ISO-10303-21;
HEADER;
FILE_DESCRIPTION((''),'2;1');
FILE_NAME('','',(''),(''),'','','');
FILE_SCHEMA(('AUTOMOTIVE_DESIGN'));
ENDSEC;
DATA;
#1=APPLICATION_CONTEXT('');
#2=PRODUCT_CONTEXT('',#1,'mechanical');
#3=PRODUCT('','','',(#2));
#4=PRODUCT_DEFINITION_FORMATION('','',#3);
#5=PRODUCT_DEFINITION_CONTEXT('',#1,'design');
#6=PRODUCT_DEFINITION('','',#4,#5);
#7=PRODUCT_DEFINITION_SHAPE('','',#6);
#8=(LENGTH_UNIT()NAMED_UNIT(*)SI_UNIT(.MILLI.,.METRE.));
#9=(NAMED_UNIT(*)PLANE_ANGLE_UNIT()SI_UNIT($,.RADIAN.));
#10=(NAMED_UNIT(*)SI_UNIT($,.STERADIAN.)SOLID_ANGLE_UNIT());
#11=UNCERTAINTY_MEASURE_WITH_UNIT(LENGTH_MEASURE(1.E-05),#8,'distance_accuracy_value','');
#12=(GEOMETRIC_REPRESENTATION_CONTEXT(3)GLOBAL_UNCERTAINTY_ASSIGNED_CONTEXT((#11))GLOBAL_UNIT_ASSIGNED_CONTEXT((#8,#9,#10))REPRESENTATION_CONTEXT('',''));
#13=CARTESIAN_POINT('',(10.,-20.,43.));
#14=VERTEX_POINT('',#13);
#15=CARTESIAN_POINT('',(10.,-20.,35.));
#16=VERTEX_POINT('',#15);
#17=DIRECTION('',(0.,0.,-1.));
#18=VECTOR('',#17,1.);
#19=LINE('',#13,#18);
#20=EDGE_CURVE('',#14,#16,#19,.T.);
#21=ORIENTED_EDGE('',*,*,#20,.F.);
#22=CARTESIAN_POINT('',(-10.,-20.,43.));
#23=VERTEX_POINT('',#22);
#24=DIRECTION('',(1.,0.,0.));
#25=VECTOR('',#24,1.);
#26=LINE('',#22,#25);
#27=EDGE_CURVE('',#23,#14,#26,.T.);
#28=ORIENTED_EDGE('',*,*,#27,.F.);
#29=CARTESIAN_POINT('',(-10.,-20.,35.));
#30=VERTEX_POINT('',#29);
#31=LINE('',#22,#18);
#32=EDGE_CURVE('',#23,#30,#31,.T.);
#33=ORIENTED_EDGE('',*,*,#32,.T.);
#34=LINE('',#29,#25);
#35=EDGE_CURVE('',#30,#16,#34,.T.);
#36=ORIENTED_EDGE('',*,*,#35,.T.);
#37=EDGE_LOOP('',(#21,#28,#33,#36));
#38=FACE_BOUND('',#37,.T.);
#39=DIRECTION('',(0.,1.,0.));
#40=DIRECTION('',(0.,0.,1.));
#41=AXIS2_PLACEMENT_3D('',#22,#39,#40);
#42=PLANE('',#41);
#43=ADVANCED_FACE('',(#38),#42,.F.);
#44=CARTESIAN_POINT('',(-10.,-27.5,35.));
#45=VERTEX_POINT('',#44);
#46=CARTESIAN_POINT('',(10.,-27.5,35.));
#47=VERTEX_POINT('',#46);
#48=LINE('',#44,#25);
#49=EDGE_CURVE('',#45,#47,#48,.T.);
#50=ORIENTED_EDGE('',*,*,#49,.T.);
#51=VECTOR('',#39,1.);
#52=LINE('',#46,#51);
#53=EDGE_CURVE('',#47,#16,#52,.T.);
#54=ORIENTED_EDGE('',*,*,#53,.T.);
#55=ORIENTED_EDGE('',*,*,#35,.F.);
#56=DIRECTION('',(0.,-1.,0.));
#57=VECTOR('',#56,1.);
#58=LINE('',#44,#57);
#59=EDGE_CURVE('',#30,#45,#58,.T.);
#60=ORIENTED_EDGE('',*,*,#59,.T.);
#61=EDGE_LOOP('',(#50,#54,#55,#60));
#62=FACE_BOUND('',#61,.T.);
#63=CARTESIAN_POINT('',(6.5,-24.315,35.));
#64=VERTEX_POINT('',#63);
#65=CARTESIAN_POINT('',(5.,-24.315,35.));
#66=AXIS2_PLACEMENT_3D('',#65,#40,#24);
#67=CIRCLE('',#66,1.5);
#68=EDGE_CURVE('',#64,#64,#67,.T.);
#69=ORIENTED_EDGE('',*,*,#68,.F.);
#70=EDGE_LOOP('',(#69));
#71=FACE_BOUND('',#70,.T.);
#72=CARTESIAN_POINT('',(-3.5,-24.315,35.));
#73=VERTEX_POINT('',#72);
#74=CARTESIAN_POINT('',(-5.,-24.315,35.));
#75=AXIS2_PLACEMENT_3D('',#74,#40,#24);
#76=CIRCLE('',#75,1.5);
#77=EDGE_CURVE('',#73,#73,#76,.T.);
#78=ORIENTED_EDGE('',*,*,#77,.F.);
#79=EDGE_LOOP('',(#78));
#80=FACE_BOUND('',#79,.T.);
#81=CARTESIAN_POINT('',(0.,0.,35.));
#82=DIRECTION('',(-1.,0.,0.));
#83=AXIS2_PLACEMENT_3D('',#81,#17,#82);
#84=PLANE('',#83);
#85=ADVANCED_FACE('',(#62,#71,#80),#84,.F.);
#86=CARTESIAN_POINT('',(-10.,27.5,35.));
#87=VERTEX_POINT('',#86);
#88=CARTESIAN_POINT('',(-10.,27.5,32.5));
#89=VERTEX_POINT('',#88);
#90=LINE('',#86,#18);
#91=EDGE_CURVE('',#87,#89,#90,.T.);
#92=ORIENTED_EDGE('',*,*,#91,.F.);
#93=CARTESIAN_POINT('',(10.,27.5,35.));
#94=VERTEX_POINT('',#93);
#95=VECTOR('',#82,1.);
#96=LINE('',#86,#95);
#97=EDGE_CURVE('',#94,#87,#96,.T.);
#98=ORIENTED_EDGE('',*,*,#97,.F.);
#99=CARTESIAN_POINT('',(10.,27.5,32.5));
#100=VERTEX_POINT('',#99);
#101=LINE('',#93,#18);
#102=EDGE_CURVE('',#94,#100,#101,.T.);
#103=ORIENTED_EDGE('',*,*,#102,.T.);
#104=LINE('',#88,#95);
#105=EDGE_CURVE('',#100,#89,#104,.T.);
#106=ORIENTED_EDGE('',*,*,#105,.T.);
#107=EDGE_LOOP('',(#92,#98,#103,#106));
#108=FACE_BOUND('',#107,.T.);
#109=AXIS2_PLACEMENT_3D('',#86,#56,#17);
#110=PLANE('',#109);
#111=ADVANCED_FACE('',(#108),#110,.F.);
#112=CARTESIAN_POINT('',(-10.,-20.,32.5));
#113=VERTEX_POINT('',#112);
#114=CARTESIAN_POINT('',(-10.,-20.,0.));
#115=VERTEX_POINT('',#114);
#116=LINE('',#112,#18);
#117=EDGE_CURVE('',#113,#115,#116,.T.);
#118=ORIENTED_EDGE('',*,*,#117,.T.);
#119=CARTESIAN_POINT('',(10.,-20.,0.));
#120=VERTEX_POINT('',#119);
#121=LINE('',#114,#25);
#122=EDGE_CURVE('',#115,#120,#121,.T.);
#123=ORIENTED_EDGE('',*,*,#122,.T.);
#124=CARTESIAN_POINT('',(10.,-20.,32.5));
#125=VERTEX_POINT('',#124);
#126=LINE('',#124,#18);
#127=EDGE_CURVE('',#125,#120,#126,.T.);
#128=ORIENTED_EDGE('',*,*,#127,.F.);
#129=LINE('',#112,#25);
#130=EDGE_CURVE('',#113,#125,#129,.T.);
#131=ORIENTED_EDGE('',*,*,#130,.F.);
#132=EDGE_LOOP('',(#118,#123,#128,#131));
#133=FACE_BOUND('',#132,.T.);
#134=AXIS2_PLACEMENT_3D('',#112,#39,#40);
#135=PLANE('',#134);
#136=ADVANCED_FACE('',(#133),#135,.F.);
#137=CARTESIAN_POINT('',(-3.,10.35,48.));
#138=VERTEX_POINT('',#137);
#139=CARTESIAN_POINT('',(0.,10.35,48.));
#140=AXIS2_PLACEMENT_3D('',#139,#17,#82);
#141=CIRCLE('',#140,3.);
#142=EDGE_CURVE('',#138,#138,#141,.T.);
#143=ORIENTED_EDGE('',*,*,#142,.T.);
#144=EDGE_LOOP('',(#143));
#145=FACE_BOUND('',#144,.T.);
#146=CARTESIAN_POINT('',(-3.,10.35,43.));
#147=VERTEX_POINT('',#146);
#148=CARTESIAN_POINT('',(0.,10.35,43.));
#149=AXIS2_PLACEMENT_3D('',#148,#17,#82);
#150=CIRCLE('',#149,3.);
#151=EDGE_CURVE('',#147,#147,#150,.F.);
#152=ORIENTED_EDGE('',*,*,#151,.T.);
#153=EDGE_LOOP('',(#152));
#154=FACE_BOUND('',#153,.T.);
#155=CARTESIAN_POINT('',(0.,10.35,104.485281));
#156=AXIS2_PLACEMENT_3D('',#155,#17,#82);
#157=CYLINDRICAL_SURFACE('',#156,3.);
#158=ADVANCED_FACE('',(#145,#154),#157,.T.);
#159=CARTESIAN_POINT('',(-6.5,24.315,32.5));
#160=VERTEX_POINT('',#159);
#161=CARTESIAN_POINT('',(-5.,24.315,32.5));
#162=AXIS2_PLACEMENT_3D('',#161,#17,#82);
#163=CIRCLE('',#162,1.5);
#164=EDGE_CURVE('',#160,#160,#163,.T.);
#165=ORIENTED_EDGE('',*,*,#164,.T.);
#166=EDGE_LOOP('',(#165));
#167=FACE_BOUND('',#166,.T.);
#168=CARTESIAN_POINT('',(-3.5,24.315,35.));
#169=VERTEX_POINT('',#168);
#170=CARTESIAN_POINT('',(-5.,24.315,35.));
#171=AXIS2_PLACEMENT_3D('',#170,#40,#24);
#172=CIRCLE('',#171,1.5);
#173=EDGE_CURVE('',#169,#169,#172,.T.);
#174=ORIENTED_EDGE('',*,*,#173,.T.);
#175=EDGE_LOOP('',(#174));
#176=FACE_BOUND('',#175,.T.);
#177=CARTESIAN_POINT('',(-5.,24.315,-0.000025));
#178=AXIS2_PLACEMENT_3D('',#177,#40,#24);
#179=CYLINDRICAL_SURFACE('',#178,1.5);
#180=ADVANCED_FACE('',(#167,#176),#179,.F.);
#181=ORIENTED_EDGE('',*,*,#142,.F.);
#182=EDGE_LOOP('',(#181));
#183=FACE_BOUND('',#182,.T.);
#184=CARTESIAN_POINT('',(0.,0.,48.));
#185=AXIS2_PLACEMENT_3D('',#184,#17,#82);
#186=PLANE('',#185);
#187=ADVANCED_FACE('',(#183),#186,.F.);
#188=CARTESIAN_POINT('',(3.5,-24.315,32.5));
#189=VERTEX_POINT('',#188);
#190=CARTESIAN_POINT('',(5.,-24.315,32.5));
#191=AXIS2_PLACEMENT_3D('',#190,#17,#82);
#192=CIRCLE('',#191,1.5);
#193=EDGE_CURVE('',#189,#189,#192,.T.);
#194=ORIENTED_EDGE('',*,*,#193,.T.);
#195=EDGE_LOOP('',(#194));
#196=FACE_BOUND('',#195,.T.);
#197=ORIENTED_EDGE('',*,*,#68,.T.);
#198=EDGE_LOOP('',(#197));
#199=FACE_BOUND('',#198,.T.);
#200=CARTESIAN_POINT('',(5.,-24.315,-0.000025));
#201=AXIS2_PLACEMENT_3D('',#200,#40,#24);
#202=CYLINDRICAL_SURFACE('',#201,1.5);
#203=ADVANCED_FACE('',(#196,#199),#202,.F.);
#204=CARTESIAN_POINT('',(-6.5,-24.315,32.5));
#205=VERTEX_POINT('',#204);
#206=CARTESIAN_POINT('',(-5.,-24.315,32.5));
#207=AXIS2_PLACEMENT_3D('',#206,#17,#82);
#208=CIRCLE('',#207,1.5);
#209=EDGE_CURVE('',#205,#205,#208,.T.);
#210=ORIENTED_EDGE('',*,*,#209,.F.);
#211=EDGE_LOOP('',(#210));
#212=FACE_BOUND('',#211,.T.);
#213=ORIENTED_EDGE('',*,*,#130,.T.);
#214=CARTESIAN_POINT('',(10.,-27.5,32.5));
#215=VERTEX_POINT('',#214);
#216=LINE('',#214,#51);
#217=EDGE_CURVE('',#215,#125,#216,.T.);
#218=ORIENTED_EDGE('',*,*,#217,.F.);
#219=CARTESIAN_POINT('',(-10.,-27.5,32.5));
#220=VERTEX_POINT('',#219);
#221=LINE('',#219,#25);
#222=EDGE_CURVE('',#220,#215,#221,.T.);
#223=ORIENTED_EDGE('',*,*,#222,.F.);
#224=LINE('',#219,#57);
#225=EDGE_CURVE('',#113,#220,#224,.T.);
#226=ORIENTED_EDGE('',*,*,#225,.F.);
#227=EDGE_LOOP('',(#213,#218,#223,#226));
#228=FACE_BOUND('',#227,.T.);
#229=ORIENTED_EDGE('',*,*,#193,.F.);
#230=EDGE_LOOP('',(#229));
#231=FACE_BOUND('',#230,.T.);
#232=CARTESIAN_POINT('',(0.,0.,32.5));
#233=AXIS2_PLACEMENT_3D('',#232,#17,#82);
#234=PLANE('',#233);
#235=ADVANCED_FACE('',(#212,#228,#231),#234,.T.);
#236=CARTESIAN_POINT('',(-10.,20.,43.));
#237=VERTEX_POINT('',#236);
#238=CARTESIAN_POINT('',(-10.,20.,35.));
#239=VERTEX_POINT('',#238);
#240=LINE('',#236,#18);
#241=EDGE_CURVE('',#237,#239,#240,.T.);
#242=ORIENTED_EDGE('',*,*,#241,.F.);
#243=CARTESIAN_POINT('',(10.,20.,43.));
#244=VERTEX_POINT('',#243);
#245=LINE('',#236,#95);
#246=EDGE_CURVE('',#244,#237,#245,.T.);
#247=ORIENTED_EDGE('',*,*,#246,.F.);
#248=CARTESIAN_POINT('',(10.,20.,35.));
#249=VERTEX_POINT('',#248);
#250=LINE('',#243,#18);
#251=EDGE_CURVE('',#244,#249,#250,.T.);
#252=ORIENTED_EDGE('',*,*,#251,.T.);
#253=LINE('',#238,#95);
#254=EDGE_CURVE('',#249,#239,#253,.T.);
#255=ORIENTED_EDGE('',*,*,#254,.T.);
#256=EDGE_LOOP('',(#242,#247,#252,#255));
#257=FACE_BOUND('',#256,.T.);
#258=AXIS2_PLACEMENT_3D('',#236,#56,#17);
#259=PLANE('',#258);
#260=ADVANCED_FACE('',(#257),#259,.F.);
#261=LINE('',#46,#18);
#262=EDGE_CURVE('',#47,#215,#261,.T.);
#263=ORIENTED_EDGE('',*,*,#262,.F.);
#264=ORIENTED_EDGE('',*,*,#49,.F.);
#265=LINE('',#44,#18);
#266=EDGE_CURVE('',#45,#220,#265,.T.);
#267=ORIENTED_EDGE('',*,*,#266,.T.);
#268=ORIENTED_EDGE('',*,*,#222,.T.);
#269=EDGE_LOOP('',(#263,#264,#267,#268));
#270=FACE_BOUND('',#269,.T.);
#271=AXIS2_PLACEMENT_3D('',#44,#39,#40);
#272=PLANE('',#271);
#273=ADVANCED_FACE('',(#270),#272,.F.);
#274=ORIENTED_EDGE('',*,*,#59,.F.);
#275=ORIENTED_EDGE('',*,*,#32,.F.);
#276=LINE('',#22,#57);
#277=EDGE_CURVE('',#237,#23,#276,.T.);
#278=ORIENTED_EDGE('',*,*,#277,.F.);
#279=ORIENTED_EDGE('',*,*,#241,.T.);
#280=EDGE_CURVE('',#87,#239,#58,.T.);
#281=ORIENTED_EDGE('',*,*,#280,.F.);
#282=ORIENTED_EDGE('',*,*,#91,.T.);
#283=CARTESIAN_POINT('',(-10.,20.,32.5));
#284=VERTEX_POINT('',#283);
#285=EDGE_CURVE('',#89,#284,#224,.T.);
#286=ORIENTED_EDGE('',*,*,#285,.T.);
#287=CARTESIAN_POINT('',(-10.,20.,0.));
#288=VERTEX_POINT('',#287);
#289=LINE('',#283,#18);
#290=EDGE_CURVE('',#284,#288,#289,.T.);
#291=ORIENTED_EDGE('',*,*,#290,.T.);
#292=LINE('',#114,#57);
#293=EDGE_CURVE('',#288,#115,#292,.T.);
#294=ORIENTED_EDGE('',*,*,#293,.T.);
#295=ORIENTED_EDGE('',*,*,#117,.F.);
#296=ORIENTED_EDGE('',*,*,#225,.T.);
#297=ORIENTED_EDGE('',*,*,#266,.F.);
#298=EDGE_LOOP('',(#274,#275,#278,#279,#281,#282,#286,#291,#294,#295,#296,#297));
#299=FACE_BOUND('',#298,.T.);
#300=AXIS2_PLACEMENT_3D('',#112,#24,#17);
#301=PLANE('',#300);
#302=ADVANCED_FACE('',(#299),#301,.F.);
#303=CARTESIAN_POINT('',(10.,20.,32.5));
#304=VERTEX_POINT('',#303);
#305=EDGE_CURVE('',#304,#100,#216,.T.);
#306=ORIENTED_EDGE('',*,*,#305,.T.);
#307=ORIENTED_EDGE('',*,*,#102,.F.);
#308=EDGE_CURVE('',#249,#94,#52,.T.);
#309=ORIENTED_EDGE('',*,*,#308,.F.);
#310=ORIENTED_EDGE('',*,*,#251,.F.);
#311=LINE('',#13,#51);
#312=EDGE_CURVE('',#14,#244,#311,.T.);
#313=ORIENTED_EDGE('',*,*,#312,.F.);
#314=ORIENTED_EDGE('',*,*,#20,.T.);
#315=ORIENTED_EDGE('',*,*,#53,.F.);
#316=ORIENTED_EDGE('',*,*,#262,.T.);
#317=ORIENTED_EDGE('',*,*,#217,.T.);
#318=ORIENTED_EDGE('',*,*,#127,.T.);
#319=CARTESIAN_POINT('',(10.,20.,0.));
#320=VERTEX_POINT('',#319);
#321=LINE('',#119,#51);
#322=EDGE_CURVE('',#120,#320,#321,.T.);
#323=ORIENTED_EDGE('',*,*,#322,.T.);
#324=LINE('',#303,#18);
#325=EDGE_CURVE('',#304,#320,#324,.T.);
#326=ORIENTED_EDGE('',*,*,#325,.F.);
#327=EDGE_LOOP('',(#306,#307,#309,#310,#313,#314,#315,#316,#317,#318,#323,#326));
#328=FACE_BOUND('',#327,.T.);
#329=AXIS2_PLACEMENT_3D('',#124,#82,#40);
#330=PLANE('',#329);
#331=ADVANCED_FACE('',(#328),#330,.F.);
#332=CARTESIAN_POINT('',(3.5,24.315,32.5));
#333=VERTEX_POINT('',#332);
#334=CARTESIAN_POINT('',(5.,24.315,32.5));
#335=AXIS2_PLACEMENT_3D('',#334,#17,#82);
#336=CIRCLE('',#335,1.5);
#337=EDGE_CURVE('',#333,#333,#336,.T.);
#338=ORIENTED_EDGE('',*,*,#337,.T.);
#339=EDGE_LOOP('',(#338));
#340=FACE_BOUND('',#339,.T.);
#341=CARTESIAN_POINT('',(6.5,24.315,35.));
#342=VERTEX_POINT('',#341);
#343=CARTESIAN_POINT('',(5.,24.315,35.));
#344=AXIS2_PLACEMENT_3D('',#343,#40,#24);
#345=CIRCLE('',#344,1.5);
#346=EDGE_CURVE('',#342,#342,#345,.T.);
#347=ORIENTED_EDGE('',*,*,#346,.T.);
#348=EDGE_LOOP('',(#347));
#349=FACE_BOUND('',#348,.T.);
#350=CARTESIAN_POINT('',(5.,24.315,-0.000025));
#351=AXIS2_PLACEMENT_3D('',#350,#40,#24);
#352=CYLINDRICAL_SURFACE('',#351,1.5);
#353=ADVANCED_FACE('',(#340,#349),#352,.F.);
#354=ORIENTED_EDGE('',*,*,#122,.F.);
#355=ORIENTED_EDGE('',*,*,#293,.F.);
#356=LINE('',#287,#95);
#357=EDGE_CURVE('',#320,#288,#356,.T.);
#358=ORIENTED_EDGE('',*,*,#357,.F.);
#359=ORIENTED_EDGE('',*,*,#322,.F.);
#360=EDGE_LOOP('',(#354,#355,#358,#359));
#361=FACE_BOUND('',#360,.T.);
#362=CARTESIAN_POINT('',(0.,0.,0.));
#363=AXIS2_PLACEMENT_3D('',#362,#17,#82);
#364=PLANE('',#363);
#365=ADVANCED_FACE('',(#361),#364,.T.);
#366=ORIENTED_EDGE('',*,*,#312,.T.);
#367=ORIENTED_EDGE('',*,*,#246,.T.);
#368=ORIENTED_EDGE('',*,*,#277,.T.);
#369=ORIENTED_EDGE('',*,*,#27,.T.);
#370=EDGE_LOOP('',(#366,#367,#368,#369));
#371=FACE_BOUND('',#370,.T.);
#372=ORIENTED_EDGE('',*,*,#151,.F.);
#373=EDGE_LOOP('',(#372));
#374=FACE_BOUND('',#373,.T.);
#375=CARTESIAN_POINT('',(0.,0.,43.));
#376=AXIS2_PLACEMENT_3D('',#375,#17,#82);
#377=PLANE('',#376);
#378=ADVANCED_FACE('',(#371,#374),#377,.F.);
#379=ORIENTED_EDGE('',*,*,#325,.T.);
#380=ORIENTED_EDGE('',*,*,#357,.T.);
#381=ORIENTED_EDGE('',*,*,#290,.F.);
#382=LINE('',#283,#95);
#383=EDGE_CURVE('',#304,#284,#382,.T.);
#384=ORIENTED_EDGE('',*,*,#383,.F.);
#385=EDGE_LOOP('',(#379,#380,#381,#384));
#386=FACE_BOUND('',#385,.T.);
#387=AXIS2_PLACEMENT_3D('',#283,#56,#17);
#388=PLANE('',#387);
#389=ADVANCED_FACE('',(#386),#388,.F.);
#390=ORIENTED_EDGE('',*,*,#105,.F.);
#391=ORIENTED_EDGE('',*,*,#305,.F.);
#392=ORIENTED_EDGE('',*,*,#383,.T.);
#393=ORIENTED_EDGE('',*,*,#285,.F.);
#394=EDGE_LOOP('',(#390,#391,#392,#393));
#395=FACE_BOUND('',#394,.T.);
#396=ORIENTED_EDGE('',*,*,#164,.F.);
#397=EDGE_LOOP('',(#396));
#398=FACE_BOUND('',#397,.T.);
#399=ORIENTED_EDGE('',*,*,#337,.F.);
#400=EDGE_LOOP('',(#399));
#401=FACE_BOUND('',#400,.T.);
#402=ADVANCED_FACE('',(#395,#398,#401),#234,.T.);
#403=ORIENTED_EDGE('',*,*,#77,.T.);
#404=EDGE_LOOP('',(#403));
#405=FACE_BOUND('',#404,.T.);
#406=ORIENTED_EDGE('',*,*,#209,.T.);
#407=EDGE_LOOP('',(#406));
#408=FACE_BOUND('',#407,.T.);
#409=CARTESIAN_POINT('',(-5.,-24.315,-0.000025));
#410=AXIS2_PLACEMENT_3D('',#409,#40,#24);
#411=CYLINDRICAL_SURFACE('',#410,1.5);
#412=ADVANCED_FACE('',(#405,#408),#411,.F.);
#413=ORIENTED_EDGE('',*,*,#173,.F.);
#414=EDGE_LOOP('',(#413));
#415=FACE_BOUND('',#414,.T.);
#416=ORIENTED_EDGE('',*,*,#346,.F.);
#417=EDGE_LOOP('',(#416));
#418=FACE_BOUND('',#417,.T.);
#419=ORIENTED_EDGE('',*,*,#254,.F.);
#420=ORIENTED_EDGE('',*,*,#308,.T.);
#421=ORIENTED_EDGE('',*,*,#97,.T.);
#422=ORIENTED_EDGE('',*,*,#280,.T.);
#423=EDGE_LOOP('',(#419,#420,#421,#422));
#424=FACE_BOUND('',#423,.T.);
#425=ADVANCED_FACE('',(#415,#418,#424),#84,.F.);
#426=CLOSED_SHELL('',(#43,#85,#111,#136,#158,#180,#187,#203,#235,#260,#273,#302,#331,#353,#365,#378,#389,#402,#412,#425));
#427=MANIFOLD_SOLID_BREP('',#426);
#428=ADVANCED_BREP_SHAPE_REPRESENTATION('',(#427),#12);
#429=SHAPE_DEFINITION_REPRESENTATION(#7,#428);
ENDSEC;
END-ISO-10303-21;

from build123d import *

# Parameters (mm, degrees)
SKETCH_1_W          = 20
SKETCH_1_H          = 40
EXTRUDE_1_DEPTH     = 32.5
SKETCH_2_W          = 20
SKETCH_2_H          = 55
EXTRUDE_2_DEPTH     = 2.5
SKETCH_3_W          = 20
SKETCH_3_H          = 40
EXTRUDE_3_DEPTH     = 8
SKETCH_4_R          = 3
EXTRUDE_4_DEPTH     = 5
SKETCH_5_R          = 1.5
CUT_EXTRUDE_1_DEPTH = 36


with BuildPart() as part:
    # 草图1 → 凸台-拉伸1 (new body)
    with BuildSketch(Plane.XY):
        Rectangle(SKETCH_1_W, SKETCH_1_H)
    extrude(amount=EXTRUDE_1_DEPTH)

    # 草图2 → 凸台-拉伸2 (add)
    with BuildSketch(Plane.XY.offset(32.5)):
        Rectangle(SKETCH_2_W, SKETCH_2_H)
    extrude(amount=EXTRUDE_2_DEPTH)

    # 草图3 → 凸台-拉伸3 (add)
    with BuildSketch(Plane.XY.offset(35)):
        Rectangle(SKETCH_3_W, SKETCH_3_H)
    extrude(amount=EXTRUDE_3_DEPTH)

    # 草图4 → 凸台-拉伸4 (add)
    with BuildSketch(Plane.XY.offset(43)):
        with Locations((0, 10.35)):
            Circle(SKETCH_4_R)
    extrude(amount=EXTRUDE_4_DEPTH)

    # 草图5 → 切除-拉伸1 (cut, through all)
    with BuildSketch(Plane.XY.offset(35)):
        with Locations((-5, 24.315)):
            Circle(SKETCH_5_R)
        with Locations((5, 24.315)):
            Circle(SKETCH_5_R)
        with Locations((-5, -24.315)):
            Circle(SKETCH_5_R)
        with Locations((5, -24.315)):
            Circle(SKETCH_5_R)
    extrude(amount=-CUT_EXTRUDE_1_DEPTH, mode=Mode.SUBTRACT)


solid = part.part
